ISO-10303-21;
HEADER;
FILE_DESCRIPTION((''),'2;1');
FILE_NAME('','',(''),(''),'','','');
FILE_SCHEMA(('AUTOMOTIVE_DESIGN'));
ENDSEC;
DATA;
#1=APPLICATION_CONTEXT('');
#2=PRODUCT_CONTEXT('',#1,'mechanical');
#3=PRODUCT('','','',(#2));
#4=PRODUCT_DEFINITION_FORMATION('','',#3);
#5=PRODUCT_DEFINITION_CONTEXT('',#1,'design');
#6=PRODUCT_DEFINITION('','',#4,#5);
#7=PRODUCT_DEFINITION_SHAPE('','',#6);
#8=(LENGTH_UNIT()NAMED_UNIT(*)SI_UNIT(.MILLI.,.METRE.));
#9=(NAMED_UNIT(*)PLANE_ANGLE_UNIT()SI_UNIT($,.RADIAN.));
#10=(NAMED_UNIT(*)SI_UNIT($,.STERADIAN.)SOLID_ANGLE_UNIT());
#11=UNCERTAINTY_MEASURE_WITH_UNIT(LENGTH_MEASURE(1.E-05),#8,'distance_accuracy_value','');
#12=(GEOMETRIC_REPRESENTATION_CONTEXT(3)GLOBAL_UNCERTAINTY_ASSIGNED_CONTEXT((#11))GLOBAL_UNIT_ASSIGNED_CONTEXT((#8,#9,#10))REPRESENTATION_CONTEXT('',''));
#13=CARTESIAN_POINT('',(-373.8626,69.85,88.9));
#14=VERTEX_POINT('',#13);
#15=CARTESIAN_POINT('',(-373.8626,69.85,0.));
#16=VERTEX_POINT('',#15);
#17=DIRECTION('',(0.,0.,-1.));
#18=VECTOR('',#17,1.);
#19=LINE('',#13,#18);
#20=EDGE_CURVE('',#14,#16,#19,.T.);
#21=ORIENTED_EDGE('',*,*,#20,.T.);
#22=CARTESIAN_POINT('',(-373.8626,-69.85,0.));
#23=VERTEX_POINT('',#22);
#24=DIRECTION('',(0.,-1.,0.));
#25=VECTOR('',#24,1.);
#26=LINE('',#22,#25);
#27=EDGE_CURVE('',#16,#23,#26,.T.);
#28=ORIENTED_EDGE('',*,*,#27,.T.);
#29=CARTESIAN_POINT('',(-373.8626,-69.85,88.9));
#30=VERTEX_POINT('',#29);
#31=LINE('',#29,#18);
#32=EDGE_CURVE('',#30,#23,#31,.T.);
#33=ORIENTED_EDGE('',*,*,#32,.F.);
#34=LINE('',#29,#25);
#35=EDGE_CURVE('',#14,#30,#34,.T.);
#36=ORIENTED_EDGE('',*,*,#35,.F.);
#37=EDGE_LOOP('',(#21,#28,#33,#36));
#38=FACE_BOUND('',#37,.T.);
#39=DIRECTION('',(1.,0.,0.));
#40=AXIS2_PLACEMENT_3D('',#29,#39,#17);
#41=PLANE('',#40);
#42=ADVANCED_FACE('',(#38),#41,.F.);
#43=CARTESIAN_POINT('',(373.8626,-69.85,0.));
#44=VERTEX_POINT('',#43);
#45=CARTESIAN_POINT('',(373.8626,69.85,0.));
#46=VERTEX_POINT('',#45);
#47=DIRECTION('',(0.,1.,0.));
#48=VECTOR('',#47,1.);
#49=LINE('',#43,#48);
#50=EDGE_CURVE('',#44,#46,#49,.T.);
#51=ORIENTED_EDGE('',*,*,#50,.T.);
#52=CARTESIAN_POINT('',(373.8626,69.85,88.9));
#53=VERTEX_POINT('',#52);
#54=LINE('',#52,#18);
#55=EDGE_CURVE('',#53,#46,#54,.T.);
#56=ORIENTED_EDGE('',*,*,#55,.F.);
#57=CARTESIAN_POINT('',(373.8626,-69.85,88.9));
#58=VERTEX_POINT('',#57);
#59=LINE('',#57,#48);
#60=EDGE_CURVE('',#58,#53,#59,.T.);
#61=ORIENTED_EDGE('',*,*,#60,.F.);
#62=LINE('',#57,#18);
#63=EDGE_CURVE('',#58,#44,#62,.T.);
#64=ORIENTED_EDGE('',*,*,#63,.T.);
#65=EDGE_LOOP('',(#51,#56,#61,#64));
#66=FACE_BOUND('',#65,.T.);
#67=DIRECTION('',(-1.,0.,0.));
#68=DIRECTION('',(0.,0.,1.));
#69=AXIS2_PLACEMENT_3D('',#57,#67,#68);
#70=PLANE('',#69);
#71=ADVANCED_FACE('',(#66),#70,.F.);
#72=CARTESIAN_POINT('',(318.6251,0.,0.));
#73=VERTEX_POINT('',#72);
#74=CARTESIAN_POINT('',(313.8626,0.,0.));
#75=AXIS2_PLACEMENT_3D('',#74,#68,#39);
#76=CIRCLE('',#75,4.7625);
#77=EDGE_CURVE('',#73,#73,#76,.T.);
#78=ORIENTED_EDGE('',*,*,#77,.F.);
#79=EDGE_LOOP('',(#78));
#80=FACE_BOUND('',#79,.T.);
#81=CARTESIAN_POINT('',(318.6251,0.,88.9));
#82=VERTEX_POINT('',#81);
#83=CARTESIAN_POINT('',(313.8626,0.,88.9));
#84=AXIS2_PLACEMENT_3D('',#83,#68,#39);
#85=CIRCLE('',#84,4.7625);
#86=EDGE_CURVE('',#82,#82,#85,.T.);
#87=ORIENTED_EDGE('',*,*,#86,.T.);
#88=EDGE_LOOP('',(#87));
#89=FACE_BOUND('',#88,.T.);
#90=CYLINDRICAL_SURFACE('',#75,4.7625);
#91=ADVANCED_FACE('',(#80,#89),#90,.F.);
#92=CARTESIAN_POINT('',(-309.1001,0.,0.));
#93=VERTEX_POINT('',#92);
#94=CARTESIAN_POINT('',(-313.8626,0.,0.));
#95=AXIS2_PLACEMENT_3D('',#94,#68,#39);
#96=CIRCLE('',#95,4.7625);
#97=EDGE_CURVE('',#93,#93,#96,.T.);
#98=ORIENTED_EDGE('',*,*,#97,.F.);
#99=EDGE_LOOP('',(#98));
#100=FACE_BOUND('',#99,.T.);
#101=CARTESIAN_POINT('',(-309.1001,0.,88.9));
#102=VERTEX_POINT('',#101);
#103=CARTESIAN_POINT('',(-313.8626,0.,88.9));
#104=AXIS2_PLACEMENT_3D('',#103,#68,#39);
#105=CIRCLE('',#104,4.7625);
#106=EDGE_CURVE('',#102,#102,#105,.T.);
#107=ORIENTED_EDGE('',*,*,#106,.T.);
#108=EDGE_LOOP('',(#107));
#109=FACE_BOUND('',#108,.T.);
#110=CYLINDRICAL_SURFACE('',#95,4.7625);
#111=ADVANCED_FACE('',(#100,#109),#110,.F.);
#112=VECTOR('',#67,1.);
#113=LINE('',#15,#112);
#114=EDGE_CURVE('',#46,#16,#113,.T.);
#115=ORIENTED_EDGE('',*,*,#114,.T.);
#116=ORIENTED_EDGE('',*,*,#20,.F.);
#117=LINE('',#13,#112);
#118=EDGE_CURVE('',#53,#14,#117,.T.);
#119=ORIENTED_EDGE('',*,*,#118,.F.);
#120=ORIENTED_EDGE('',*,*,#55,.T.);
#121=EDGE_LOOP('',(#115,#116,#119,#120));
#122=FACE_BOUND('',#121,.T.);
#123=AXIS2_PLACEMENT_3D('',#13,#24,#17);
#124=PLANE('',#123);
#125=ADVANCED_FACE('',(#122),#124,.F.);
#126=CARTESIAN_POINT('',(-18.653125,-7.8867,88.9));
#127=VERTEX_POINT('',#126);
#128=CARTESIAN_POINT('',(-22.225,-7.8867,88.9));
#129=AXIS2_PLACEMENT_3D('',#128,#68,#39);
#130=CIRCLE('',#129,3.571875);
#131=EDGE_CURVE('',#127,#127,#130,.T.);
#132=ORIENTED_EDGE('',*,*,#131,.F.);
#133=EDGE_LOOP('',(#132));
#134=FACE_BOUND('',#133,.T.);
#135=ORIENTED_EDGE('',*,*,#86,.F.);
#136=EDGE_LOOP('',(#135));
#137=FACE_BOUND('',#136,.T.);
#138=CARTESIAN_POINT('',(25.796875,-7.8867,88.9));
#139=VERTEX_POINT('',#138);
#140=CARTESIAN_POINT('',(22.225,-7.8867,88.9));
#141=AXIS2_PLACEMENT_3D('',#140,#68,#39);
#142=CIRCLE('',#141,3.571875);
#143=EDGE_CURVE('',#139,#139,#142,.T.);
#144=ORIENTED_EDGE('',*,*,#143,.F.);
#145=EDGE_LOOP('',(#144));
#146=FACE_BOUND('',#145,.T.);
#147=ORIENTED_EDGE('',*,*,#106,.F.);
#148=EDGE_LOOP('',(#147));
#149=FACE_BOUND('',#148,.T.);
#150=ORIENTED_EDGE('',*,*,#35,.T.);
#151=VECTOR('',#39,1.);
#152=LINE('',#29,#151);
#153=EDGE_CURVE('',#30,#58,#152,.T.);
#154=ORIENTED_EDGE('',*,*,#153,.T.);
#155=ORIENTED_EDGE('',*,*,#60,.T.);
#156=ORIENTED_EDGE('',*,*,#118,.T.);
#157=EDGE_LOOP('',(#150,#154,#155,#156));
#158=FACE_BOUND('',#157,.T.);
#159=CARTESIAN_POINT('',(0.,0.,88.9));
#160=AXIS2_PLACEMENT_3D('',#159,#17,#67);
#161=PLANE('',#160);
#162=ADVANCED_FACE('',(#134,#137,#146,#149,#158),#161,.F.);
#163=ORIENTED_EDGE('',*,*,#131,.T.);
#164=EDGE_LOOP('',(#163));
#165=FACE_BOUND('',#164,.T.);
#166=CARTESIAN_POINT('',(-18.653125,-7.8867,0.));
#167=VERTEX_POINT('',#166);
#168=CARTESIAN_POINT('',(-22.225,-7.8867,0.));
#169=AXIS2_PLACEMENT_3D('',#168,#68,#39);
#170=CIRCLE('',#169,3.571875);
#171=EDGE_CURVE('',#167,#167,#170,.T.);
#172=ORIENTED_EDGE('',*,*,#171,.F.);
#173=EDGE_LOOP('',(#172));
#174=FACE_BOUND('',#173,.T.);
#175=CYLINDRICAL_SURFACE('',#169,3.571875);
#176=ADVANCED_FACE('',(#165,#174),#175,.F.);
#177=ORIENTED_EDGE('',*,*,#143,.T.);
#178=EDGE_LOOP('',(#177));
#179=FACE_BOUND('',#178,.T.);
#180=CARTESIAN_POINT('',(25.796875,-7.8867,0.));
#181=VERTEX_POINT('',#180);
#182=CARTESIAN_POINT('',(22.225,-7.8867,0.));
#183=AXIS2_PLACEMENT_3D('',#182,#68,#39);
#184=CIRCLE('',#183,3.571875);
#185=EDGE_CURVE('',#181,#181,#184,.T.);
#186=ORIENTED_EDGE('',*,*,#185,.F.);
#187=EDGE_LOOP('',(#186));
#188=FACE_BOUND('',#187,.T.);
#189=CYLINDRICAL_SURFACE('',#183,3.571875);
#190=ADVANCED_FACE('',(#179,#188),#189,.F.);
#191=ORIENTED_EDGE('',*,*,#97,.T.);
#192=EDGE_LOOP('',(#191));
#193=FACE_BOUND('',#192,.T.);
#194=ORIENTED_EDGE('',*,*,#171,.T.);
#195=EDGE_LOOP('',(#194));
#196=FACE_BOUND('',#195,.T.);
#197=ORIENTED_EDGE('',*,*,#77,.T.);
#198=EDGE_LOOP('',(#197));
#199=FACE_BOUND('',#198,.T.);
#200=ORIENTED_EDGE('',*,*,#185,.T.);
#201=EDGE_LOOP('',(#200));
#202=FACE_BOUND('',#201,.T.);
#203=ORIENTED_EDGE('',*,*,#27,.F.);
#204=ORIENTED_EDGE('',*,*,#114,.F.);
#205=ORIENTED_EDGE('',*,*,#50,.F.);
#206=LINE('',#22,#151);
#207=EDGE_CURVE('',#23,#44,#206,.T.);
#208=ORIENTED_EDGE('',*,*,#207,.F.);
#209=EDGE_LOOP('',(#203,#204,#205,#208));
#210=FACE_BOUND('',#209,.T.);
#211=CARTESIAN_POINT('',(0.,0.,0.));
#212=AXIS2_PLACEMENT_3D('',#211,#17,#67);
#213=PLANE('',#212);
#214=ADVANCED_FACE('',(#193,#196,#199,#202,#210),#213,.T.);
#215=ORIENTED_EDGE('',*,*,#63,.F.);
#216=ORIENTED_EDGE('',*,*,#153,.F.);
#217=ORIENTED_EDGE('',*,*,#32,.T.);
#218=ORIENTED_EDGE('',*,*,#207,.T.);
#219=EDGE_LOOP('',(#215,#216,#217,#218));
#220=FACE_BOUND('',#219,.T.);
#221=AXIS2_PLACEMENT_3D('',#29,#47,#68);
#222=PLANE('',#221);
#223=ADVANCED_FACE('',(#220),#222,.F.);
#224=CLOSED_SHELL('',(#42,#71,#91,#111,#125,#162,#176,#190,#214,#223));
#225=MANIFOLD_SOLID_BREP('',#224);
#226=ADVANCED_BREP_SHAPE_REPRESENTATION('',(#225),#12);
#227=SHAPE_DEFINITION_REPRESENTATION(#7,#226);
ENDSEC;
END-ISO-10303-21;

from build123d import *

# Parameters (mm, degrees)
SKETCH1_W           = 747.7252
SKETCH1_H           = 139.7
BOSS_EXTRUDE1_DEPTH = 88.9
SKETCH2_R           = 4.7625
CUT_EXTRUDE1_DEPTH  = 391.583507305
SKETCH3_R           = 3.571875
CUT_EXTRUDE2_DEPTH  = 391.583507305


with BuildPart() as part:
    # Sketch1 → Boss-Extrude1 (new body)
    with BuildSketch(Plane.XY):
        Rectangle(SKETCH1_W, SKETCH1_H)
    extrude(amount=BOSS_EXTRUDE1_DEPTH)

    # Sketch2 → Cut-Extrude1 (cut, through all)
    with BuildSketch(Plane.XY.offset(88.9)):
        with Locations((-313.8626, 0)):
            Circle(SKETCH2_R)
        with Locations((313.8626, 0)):
            Circle(SKETCH2_R)
    extrude(amount=-CUT_EXTRUDE1_DEPTH, mode=Mode.SUBTRACT)

    # Sketch3 → Cut-Extrude2 (cut, through all)
    with BuildSketch(Plane.XY.offset(88.9)):
        with Locations((-22.225, -7.8867)):
            Circle(SKETCH3_R)
        with Locations((22.225, -7.8867)):
            Circle(SKETCH3_R)
    extrude(amount=-CUT_EXTRUDE2_DEPTH, mode=Mode.SUBTRACT)


solid = part.part
